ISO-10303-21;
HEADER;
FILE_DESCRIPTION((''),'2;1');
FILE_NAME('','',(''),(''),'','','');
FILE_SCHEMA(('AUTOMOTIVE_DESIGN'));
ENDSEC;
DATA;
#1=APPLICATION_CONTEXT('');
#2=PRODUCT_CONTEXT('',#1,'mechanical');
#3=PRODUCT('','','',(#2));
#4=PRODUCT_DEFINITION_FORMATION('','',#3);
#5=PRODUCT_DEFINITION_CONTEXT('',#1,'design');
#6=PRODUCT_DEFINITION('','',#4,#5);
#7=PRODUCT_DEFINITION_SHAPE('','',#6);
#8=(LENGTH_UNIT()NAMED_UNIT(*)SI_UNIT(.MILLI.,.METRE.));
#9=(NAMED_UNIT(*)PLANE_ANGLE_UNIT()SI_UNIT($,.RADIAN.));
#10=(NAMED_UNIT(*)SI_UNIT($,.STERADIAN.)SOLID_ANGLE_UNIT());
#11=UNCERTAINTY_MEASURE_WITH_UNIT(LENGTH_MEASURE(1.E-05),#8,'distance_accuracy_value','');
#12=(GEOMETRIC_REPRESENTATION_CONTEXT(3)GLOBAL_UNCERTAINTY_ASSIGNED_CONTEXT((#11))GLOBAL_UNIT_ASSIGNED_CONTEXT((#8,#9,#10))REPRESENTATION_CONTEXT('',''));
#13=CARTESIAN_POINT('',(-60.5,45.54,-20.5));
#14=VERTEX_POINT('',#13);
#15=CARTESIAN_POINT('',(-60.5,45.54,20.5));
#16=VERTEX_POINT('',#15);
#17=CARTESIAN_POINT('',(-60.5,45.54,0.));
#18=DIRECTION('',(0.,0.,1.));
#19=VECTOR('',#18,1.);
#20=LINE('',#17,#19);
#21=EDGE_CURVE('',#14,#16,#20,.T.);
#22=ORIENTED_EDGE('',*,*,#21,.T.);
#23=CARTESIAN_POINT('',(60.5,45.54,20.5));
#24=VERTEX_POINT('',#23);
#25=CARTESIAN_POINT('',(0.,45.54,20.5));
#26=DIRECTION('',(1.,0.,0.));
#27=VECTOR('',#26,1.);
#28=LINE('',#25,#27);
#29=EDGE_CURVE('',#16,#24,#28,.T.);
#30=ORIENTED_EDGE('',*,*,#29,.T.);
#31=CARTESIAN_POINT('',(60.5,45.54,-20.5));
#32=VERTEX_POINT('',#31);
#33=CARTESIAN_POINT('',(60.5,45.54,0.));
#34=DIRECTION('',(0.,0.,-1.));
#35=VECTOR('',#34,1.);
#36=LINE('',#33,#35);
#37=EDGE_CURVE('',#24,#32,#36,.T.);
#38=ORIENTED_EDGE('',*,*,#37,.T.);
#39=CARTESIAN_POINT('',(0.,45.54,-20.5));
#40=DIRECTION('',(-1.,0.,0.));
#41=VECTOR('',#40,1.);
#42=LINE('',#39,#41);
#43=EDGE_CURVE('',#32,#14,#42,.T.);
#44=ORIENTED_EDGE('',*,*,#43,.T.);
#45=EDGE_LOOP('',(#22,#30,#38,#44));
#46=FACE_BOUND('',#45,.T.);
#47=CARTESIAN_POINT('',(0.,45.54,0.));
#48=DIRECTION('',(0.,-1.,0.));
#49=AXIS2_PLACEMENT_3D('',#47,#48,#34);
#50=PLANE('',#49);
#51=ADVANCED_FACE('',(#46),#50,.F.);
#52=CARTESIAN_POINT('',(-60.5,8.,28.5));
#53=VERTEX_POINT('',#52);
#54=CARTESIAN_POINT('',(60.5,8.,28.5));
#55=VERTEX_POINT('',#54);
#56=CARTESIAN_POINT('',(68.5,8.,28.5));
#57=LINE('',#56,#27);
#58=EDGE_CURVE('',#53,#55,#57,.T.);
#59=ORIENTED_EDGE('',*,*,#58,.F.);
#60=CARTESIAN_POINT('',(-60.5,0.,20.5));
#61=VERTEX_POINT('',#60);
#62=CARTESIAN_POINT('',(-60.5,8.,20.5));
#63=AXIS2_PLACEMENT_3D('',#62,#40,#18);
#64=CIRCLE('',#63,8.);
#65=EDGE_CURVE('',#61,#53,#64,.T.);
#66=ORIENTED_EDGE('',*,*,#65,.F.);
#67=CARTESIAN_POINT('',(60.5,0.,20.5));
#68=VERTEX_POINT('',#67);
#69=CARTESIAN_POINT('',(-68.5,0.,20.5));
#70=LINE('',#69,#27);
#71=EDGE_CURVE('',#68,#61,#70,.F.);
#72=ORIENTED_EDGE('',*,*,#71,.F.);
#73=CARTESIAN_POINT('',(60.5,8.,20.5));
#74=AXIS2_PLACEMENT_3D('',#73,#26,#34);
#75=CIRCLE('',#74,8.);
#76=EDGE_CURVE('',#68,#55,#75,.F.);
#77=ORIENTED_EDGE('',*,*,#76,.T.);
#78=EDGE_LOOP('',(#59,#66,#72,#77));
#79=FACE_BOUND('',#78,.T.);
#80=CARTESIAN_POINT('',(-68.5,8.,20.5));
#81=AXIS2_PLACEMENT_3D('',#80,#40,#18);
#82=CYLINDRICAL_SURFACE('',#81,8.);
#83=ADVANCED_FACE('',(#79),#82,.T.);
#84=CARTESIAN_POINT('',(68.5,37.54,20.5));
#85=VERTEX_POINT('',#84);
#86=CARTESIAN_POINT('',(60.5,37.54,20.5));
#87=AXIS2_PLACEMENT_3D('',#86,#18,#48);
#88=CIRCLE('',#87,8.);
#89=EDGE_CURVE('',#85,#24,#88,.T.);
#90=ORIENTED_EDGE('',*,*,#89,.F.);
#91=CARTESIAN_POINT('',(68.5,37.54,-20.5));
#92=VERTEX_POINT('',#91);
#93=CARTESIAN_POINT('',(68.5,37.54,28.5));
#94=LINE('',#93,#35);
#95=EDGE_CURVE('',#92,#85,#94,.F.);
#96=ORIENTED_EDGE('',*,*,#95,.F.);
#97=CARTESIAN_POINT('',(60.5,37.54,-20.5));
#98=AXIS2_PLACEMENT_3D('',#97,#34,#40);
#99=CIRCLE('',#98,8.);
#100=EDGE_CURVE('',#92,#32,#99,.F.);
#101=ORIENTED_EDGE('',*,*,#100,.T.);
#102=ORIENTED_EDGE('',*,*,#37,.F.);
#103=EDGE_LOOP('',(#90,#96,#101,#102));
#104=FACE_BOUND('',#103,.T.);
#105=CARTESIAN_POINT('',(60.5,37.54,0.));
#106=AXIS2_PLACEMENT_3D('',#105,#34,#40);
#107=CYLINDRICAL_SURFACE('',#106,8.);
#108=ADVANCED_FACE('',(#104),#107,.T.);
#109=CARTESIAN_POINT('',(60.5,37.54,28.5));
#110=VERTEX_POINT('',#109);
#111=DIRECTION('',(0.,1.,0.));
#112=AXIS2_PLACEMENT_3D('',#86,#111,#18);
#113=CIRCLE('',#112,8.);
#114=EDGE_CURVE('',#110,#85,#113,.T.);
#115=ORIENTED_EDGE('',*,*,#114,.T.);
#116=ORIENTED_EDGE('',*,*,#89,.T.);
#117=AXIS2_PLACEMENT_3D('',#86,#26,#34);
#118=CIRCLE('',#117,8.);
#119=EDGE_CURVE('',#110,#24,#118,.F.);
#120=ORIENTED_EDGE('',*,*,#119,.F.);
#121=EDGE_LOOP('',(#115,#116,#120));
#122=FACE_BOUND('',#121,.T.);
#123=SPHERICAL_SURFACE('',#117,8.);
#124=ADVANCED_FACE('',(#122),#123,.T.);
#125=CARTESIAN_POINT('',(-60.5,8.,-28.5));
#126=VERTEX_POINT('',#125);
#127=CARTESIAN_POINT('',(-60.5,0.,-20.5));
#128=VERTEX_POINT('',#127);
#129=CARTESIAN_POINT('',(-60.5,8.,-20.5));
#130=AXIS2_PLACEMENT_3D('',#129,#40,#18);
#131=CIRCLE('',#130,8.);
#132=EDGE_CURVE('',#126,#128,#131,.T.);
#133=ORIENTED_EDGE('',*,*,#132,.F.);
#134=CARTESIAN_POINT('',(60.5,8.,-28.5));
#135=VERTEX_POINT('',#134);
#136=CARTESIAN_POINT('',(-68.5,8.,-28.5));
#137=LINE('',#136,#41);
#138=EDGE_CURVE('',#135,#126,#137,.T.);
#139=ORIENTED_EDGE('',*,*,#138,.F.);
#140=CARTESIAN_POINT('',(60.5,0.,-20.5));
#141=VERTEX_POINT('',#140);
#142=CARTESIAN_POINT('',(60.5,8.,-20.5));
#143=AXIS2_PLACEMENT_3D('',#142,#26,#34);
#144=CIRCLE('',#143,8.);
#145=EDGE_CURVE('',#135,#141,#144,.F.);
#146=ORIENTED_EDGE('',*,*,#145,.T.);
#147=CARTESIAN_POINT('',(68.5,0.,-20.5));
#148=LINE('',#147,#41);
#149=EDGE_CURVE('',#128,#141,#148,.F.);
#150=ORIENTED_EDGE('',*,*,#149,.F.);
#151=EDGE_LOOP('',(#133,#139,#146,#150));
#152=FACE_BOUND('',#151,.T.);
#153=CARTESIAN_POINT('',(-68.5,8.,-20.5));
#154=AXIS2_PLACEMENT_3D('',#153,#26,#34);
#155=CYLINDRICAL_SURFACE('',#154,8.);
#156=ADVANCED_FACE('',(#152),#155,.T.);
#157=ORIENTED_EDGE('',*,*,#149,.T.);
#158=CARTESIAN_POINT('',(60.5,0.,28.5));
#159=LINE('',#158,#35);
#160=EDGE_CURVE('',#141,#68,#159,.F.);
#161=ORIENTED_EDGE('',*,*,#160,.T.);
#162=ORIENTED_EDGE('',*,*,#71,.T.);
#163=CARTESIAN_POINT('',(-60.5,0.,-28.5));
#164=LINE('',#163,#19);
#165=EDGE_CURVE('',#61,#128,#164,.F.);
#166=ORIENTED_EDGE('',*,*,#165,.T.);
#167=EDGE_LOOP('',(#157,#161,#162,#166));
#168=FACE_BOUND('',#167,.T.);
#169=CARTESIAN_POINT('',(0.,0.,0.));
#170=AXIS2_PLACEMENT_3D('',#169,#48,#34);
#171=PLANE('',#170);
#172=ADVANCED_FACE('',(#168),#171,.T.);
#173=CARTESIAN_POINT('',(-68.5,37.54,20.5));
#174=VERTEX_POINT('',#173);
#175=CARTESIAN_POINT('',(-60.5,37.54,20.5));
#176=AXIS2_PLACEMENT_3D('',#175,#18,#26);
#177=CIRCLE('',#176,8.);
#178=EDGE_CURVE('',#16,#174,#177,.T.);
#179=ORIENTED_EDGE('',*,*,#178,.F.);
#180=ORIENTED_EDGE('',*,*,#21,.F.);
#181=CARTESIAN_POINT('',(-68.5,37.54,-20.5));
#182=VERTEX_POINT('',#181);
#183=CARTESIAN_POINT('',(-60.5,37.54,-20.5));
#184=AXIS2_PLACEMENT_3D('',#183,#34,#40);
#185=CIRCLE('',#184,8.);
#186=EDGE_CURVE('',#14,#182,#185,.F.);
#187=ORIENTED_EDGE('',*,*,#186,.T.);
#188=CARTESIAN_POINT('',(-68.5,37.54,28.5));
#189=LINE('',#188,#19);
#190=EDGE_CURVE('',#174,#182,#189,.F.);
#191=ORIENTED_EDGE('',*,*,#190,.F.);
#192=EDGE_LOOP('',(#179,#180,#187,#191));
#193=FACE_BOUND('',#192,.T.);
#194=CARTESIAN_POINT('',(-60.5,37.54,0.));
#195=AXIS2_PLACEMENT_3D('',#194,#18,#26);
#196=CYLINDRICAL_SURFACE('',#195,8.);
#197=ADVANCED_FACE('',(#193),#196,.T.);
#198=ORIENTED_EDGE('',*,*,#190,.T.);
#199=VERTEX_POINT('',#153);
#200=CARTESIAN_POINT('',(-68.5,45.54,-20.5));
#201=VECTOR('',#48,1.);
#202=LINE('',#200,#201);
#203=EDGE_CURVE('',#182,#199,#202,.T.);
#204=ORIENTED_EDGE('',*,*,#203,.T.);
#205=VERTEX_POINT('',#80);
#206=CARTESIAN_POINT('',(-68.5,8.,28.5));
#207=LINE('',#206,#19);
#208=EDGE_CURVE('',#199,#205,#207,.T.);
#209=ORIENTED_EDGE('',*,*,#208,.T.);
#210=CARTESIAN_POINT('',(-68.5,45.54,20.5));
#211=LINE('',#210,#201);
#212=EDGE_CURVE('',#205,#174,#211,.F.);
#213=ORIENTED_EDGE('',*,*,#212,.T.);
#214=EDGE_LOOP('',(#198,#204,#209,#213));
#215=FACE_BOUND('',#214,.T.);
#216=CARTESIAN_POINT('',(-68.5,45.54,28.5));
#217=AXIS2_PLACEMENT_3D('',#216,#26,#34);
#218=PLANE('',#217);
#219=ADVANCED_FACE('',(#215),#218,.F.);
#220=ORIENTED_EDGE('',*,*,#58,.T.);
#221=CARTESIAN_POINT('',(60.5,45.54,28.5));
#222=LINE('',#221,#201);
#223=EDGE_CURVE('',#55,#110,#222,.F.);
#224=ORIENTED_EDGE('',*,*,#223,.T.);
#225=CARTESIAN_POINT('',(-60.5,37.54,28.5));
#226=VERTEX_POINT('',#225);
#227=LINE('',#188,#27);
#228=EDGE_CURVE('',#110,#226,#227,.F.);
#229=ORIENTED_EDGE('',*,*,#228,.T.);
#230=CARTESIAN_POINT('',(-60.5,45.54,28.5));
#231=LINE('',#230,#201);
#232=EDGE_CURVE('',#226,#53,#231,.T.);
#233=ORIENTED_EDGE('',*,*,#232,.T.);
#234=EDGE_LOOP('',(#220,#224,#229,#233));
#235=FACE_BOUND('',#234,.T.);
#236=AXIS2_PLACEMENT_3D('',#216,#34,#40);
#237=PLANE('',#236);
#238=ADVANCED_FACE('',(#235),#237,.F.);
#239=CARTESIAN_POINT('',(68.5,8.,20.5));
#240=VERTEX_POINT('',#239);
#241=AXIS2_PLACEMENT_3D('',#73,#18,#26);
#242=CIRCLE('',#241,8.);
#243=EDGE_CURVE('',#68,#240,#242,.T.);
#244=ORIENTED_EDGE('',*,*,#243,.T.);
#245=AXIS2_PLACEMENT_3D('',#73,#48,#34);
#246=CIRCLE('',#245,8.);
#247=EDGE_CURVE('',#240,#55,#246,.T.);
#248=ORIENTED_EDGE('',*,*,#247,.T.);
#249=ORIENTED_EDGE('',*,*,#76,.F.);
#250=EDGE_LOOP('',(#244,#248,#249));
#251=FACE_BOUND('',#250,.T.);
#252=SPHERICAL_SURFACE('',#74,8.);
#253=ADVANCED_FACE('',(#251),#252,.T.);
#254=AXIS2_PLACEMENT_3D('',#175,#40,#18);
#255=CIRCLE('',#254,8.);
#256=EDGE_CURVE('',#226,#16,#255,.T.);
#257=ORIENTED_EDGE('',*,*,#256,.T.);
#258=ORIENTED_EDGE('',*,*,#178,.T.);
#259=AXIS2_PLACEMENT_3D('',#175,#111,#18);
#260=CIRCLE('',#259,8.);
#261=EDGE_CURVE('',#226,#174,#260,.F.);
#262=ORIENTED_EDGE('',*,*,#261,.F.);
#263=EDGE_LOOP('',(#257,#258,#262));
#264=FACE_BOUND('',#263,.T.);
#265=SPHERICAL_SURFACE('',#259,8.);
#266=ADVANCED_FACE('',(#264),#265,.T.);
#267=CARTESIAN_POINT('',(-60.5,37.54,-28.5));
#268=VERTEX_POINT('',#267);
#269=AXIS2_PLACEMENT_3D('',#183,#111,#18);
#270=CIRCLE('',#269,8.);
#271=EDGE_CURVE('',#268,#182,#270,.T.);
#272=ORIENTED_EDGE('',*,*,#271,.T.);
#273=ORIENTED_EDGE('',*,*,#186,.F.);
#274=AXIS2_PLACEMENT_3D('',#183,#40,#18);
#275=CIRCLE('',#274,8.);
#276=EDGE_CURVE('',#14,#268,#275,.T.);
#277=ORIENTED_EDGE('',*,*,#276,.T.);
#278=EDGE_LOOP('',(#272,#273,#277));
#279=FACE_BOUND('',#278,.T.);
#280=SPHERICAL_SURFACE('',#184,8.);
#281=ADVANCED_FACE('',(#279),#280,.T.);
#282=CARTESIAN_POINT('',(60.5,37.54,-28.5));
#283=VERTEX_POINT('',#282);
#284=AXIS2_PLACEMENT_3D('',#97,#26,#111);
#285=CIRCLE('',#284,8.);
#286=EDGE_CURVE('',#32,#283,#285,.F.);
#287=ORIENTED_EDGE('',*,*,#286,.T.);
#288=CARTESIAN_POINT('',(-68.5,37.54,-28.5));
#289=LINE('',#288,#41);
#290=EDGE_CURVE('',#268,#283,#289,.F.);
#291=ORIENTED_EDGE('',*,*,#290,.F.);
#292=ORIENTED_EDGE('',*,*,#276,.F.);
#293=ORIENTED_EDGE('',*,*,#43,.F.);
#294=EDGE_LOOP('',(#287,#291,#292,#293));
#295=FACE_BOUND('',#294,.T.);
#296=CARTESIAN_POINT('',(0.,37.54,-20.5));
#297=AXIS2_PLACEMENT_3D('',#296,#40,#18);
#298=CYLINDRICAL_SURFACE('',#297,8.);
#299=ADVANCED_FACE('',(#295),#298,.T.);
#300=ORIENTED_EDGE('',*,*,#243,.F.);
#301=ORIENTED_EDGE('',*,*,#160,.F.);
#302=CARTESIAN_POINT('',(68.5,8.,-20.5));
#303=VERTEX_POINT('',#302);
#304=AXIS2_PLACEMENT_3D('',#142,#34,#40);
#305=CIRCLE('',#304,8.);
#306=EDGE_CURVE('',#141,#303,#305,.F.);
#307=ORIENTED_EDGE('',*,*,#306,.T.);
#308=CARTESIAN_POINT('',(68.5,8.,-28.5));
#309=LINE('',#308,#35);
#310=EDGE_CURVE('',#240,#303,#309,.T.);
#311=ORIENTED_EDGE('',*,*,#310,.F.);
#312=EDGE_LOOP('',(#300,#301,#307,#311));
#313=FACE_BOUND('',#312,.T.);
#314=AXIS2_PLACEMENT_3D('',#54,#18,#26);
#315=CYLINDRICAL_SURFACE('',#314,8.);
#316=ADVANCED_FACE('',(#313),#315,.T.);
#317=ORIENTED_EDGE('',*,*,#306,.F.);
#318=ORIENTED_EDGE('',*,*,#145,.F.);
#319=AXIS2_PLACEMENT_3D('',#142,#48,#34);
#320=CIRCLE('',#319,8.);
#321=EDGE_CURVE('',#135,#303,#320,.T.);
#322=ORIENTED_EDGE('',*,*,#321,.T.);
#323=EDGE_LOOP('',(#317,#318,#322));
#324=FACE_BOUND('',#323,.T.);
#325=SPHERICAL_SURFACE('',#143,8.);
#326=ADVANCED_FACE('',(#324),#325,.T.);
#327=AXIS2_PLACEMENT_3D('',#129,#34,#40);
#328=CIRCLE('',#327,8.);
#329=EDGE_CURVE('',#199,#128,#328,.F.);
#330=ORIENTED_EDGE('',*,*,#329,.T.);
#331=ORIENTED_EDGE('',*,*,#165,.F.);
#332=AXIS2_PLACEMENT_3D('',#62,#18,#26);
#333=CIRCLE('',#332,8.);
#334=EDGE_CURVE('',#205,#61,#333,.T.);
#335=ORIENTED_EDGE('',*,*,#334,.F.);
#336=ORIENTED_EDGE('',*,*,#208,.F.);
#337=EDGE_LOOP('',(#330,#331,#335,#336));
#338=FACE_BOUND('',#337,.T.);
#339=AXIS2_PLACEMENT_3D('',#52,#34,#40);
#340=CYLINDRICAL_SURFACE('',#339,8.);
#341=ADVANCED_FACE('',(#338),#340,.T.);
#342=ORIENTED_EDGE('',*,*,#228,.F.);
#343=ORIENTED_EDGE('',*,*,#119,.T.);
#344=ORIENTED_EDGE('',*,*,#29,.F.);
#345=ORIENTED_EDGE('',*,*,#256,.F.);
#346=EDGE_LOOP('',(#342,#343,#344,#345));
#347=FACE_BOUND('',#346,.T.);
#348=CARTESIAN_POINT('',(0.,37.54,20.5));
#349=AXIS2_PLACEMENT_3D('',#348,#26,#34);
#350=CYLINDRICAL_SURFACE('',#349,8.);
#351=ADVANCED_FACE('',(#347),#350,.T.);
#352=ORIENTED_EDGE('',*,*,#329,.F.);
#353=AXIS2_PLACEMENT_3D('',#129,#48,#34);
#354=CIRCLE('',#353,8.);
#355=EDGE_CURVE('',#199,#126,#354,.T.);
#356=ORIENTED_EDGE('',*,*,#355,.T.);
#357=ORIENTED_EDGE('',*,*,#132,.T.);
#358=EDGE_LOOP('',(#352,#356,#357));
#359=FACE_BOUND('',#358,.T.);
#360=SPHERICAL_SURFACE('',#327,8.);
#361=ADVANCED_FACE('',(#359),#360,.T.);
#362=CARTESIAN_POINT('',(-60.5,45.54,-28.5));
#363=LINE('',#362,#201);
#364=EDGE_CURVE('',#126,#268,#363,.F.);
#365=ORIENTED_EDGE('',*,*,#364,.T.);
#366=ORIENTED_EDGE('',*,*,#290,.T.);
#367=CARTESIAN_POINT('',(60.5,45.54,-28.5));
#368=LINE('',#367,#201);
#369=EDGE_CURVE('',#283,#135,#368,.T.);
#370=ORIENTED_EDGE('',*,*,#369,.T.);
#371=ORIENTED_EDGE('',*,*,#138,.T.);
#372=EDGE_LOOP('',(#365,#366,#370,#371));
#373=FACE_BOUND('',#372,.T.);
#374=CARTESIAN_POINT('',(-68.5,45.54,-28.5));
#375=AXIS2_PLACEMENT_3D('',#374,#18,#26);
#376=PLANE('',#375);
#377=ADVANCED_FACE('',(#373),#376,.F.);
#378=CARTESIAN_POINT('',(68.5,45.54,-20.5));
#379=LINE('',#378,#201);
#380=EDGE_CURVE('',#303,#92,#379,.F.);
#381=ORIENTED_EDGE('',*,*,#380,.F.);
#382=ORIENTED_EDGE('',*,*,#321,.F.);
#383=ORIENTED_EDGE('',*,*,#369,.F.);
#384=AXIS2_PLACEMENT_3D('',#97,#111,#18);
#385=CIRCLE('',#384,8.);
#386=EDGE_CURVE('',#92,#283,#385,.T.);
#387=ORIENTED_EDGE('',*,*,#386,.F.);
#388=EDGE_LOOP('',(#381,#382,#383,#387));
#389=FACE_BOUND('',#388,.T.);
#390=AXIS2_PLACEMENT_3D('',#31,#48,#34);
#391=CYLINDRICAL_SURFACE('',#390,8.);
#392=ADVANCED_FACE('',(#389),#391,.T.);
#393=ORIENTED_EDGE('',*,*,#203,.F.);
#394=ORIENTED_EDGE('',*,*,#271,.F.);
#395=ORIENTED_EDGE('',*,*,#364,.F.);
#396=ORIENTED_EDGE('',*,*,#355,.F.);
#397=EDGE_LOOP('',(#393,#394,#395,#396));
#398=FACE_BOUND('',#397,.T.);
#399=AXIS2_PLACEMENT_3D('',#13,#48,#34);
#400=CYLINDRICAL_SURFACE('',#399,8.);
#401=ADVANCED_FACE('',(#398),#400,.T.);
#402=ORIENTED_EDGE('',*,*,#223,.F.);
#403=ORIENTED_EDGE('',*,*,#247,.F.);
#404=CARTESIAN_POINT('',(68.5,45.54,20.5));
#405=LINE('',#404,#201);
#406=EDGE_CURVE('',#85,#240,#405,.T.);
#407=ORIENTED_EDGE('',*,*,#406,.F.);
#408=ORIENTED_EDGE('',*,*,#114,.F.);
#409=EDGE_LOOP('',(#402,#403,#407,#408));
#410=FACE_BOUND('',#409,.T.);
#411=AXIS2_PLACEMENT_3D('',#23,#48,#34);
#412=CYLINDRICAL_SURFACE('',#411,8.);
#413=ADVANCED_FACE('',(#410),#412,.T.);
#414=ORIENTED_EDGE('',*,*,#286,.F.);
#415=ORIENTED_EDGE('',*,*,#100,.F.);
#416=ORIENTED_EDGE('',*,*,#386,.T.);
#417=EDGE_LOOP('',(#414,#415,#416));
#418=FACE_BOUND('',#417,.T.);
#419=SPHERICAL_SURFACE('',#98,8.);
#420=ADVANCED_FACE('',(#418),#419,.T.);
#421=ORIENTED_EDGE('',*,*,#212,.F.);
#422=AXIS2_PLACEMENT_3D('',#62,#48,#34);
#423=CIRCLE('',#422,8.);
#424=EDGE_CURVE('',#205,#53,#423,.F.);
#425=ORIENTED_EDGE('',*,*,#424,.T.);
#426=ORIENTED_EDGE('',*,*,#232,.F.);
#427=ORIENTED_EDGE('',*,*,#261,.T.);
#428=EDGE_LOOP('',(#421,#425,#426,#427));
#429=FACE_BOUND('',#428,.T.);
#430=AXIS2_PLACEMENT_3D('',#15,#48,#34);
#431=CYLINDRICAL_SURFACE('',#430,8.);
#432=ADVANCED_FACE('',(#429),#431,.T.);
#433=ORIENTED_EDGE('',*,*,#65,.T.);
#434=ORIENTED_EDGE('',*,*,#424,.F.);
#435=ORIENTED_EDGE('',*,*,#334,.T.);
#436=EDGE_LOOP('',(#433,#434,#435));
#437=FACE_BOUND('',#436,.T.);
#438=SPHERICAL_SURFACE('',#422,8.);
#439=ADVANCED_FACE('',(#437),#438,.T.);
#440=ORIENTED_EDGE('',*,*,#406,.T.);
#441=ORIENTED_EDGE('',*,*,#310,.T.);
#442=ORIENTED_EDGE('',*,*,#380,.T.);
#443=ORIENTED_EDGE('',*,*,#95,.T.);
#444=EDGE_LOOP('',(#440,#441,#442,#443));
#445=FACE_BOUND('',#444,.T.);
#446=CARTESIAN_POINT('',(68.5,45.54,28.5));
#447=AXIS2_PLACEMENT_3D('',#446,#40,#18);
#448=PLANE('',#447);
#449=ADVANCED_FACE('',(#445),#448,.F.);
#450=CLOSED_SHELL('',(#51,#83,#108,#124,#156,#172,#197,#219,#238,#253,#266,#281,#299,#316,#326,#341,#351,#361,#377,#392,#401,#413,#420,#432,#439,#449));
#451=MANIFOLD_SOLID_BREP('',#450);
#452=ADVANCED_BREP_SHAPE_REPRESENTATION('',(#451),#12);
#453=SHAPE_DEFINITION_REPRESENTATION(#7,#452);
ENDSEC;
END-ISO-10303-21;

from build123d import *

# Parameters (mm, degrees)
SKETCH1_W           = 137
SKETCH1_H           = 57
BOSS_EXTRUDE1_DEPTH = 45.54
FILLET1_R           = 8


with BuildPart() as part:
    # Sketch1 → Boss-Extrude1 (new body)
    with BuildSketch(Plane(origin=(0, 0, 0), x_dir=(1, 0, 0), z_dir=(0, 1, 0))):
        Rectangle(SKETCH1_W, SKETCH1_H)
    extrude(amount=BOSS_EXTRUDE1_DEPTH)

    # Fillet1
    fillet1_edges = [part.edges().sort_by_distance(p)[0] for p in [
        (68.5, 45.54, 0),
        (0, 45.54, -28.5),
        (-68.5, 45.54, 0),
        (0, 0, -28.5),
        (68.5, 0, 0),
        (0, 0, 28.5),
        (-68.5, 0, 0),
        (-68.5, 22.77, -28.5),
        (68.5, 22.77, -28.5),
        (68.5, 22.77, 28.5),
        (-68.5, 22.77, 28.5),
        (0, 45.54, 28.5),
    ]]
    fillet(fillet1_edges, radius=FILLET1_R)


solid = part.part
